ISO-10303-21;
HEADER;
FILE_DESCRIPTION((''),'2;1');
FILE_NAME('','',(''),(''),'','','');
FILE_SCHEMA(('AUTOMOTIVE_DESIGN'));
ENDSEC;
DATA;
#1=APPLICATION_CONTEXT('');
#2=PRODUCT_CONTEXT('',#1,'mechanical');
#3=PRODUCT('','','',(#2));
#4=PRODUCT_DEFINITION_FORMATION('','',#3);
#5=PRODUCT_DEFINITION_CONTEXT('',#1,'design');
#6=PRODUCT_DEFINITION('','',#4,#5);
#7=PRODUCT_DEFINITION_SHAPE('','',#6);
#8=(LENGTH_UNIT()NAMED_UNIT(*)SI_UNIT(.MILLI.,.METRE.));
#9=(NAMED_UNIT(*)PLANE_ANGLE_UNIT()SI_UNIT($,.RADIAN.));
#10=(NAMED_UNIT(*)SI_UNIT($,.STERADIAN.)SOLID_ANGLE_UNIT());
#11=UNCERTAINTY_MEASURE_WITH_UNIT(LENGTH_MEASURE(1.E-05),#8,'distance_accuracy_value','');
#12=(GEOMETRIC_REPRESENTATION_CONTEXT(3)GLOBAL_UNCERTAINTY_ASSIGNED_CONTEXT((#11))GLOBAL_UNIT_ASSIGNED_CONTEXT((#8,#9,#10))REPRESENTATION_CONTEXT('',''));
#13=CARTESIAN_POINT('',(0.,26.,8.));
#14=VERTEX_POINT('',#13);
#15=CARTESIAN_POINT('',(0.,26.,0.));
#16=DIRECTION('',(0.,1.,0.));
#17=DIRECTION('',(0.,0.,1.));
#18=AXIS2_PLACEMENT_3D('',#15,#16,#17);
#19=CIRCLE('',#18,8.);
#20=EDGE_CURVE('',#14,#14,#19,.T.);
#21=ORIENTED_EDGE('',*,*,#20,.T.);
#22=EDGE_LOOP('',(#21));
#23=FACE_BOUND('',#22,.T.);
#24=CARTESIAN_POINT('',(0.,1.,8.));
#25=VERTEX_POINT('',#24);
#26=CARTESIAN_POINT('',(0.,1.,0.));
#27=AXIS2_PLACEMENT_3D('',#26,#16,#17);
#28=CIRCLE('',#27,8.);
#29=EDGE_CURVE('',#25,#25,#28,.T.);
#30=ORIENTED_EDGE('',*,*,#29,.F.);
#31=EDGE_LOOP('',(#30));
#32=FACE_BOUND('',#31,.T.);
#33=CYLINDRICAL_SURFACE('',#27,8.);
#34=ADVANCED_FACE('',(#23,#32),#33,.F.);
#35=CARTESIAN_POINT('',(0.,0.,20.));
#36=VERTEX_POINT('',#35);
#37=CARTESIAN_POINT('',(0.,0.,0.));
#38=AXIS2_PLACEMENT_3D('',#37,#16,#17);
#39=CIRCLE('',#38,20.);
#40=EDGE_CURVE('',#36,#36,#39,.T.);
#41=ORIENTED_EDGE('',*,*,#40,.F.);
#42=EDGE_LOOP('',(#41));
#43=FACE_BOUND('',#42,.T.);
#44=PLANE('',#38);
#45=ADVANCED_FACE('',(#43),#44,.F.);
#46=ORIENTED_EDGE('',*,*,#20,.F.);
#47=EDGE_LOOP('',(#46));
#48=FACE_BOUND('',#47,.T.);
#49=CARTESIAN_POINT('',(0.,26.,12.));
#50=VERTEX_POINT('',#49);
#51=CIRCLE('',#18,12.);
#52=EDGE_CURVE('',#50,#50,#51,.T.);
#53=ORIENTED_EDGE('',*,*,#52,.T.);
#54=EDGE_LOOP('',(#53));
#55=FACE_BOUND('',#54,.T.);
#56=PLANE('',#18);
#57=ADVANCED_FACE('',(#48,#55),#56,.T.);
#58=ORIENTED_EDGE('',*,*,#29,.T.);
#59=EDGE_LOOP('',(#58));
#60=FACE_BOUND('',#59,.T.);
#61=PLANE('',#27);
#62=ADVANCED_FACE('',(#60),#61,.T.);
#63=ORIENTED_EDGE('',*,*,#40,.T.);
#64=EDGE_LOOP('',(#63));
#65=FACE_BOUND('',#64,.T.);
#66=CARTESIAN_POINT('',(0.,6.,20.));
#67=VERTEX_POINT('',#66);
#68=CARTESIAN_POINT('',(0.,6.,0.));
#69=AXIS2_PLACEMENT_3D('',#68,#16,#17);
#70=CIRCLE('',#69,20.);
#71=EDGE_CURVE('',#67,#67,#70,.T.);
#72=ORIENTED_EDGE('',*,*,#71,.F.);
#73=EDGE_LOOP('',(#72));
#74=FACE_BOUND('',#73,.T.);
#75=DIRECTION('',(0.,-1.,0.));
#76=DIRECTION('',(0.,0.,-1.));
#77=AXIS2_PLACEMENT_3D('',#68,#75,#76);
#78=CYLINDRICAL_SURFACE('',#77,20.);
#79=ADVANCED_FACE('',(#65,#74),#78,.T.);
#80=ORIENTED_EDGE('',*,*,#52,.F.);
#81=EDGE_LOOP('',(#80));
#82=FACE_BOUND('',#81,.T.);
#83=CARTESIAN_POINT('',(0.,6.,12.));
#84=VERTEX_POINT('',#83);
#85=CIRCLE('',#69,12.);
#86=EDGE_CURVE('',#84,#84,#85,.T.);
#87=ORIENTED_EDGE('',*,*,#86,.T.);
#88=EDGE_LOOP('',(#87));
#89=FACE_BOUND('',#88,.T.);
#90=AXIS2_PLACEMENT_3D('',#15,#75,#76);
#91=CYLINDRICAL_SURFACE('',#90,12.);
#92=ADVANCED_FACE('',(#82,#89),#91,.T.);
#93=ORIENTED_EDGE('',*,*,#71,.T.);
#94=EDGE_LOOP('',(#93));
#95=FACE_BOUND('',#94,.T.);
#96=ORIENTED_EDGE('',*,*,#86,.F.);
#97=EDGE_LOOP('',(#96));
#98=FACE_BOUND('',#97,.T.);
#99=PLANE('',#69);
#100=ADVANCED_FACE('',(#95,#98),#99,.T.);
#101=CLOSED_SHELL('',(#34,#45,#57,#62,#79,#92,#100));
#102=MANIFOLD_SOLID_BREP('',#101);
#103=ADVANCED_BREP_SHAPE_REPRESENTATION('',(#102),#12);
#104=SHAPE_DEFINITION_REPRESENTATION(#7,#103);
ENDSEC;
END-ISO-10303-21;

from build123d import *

# Parameters (mm, degrees)
SKETCH_1_R          = 20
EXTRUDE_1_DEPTH     = 6
SKETCH_2_R          = 12
EXTRUDE_2_DEPTH     = 20
SKETCH_3_R          = 8
CUT_EXTRUDE_3_DEPTH = 25


with BuildPart() as part:
    # Эскиз1 → Вытянуть1 (new body)
    with BuildSketch(Plane(origin=(0, 0, 0), x_dir=(1, 0, 0), z_dir=(0, 1, 0))):
        with Locations(Location((0, 0, 0), (0, 0, 270))):
            Circle(SKETCH_1_R)
    extrude(amount=EXTRUDE_1_DEPTH)

    # Эскиз2 → Вытянуть2 (add)
    with BuildSketch(Plane(origin=(0, 6, 0), x_dir=(1, 0, 0), z_dir=(0, 1, 0))):
        with Locations(Location((0, 0, 0), (0, 0, 270))):
            Circle(SKETCH_2_R)
    extrude(amount=EXTRUDE_2_DEPTH)

    # Эскиз3 → Вытянуть3 (cut)
    with BuildSketch(Plane(origin=(0, 26, 0), x_dir=(-1, 0, 0), z_dir=(0, 1, 0))):
        with Locations(Location((0, 0, 0), (0, 0, 90))):
            Circle(SKETCH_3_R)
    extrude(amount=-CUT_EXTRUDE_3_DEPTH, mode=Mode.SUBTRACT)


solid = part.part
